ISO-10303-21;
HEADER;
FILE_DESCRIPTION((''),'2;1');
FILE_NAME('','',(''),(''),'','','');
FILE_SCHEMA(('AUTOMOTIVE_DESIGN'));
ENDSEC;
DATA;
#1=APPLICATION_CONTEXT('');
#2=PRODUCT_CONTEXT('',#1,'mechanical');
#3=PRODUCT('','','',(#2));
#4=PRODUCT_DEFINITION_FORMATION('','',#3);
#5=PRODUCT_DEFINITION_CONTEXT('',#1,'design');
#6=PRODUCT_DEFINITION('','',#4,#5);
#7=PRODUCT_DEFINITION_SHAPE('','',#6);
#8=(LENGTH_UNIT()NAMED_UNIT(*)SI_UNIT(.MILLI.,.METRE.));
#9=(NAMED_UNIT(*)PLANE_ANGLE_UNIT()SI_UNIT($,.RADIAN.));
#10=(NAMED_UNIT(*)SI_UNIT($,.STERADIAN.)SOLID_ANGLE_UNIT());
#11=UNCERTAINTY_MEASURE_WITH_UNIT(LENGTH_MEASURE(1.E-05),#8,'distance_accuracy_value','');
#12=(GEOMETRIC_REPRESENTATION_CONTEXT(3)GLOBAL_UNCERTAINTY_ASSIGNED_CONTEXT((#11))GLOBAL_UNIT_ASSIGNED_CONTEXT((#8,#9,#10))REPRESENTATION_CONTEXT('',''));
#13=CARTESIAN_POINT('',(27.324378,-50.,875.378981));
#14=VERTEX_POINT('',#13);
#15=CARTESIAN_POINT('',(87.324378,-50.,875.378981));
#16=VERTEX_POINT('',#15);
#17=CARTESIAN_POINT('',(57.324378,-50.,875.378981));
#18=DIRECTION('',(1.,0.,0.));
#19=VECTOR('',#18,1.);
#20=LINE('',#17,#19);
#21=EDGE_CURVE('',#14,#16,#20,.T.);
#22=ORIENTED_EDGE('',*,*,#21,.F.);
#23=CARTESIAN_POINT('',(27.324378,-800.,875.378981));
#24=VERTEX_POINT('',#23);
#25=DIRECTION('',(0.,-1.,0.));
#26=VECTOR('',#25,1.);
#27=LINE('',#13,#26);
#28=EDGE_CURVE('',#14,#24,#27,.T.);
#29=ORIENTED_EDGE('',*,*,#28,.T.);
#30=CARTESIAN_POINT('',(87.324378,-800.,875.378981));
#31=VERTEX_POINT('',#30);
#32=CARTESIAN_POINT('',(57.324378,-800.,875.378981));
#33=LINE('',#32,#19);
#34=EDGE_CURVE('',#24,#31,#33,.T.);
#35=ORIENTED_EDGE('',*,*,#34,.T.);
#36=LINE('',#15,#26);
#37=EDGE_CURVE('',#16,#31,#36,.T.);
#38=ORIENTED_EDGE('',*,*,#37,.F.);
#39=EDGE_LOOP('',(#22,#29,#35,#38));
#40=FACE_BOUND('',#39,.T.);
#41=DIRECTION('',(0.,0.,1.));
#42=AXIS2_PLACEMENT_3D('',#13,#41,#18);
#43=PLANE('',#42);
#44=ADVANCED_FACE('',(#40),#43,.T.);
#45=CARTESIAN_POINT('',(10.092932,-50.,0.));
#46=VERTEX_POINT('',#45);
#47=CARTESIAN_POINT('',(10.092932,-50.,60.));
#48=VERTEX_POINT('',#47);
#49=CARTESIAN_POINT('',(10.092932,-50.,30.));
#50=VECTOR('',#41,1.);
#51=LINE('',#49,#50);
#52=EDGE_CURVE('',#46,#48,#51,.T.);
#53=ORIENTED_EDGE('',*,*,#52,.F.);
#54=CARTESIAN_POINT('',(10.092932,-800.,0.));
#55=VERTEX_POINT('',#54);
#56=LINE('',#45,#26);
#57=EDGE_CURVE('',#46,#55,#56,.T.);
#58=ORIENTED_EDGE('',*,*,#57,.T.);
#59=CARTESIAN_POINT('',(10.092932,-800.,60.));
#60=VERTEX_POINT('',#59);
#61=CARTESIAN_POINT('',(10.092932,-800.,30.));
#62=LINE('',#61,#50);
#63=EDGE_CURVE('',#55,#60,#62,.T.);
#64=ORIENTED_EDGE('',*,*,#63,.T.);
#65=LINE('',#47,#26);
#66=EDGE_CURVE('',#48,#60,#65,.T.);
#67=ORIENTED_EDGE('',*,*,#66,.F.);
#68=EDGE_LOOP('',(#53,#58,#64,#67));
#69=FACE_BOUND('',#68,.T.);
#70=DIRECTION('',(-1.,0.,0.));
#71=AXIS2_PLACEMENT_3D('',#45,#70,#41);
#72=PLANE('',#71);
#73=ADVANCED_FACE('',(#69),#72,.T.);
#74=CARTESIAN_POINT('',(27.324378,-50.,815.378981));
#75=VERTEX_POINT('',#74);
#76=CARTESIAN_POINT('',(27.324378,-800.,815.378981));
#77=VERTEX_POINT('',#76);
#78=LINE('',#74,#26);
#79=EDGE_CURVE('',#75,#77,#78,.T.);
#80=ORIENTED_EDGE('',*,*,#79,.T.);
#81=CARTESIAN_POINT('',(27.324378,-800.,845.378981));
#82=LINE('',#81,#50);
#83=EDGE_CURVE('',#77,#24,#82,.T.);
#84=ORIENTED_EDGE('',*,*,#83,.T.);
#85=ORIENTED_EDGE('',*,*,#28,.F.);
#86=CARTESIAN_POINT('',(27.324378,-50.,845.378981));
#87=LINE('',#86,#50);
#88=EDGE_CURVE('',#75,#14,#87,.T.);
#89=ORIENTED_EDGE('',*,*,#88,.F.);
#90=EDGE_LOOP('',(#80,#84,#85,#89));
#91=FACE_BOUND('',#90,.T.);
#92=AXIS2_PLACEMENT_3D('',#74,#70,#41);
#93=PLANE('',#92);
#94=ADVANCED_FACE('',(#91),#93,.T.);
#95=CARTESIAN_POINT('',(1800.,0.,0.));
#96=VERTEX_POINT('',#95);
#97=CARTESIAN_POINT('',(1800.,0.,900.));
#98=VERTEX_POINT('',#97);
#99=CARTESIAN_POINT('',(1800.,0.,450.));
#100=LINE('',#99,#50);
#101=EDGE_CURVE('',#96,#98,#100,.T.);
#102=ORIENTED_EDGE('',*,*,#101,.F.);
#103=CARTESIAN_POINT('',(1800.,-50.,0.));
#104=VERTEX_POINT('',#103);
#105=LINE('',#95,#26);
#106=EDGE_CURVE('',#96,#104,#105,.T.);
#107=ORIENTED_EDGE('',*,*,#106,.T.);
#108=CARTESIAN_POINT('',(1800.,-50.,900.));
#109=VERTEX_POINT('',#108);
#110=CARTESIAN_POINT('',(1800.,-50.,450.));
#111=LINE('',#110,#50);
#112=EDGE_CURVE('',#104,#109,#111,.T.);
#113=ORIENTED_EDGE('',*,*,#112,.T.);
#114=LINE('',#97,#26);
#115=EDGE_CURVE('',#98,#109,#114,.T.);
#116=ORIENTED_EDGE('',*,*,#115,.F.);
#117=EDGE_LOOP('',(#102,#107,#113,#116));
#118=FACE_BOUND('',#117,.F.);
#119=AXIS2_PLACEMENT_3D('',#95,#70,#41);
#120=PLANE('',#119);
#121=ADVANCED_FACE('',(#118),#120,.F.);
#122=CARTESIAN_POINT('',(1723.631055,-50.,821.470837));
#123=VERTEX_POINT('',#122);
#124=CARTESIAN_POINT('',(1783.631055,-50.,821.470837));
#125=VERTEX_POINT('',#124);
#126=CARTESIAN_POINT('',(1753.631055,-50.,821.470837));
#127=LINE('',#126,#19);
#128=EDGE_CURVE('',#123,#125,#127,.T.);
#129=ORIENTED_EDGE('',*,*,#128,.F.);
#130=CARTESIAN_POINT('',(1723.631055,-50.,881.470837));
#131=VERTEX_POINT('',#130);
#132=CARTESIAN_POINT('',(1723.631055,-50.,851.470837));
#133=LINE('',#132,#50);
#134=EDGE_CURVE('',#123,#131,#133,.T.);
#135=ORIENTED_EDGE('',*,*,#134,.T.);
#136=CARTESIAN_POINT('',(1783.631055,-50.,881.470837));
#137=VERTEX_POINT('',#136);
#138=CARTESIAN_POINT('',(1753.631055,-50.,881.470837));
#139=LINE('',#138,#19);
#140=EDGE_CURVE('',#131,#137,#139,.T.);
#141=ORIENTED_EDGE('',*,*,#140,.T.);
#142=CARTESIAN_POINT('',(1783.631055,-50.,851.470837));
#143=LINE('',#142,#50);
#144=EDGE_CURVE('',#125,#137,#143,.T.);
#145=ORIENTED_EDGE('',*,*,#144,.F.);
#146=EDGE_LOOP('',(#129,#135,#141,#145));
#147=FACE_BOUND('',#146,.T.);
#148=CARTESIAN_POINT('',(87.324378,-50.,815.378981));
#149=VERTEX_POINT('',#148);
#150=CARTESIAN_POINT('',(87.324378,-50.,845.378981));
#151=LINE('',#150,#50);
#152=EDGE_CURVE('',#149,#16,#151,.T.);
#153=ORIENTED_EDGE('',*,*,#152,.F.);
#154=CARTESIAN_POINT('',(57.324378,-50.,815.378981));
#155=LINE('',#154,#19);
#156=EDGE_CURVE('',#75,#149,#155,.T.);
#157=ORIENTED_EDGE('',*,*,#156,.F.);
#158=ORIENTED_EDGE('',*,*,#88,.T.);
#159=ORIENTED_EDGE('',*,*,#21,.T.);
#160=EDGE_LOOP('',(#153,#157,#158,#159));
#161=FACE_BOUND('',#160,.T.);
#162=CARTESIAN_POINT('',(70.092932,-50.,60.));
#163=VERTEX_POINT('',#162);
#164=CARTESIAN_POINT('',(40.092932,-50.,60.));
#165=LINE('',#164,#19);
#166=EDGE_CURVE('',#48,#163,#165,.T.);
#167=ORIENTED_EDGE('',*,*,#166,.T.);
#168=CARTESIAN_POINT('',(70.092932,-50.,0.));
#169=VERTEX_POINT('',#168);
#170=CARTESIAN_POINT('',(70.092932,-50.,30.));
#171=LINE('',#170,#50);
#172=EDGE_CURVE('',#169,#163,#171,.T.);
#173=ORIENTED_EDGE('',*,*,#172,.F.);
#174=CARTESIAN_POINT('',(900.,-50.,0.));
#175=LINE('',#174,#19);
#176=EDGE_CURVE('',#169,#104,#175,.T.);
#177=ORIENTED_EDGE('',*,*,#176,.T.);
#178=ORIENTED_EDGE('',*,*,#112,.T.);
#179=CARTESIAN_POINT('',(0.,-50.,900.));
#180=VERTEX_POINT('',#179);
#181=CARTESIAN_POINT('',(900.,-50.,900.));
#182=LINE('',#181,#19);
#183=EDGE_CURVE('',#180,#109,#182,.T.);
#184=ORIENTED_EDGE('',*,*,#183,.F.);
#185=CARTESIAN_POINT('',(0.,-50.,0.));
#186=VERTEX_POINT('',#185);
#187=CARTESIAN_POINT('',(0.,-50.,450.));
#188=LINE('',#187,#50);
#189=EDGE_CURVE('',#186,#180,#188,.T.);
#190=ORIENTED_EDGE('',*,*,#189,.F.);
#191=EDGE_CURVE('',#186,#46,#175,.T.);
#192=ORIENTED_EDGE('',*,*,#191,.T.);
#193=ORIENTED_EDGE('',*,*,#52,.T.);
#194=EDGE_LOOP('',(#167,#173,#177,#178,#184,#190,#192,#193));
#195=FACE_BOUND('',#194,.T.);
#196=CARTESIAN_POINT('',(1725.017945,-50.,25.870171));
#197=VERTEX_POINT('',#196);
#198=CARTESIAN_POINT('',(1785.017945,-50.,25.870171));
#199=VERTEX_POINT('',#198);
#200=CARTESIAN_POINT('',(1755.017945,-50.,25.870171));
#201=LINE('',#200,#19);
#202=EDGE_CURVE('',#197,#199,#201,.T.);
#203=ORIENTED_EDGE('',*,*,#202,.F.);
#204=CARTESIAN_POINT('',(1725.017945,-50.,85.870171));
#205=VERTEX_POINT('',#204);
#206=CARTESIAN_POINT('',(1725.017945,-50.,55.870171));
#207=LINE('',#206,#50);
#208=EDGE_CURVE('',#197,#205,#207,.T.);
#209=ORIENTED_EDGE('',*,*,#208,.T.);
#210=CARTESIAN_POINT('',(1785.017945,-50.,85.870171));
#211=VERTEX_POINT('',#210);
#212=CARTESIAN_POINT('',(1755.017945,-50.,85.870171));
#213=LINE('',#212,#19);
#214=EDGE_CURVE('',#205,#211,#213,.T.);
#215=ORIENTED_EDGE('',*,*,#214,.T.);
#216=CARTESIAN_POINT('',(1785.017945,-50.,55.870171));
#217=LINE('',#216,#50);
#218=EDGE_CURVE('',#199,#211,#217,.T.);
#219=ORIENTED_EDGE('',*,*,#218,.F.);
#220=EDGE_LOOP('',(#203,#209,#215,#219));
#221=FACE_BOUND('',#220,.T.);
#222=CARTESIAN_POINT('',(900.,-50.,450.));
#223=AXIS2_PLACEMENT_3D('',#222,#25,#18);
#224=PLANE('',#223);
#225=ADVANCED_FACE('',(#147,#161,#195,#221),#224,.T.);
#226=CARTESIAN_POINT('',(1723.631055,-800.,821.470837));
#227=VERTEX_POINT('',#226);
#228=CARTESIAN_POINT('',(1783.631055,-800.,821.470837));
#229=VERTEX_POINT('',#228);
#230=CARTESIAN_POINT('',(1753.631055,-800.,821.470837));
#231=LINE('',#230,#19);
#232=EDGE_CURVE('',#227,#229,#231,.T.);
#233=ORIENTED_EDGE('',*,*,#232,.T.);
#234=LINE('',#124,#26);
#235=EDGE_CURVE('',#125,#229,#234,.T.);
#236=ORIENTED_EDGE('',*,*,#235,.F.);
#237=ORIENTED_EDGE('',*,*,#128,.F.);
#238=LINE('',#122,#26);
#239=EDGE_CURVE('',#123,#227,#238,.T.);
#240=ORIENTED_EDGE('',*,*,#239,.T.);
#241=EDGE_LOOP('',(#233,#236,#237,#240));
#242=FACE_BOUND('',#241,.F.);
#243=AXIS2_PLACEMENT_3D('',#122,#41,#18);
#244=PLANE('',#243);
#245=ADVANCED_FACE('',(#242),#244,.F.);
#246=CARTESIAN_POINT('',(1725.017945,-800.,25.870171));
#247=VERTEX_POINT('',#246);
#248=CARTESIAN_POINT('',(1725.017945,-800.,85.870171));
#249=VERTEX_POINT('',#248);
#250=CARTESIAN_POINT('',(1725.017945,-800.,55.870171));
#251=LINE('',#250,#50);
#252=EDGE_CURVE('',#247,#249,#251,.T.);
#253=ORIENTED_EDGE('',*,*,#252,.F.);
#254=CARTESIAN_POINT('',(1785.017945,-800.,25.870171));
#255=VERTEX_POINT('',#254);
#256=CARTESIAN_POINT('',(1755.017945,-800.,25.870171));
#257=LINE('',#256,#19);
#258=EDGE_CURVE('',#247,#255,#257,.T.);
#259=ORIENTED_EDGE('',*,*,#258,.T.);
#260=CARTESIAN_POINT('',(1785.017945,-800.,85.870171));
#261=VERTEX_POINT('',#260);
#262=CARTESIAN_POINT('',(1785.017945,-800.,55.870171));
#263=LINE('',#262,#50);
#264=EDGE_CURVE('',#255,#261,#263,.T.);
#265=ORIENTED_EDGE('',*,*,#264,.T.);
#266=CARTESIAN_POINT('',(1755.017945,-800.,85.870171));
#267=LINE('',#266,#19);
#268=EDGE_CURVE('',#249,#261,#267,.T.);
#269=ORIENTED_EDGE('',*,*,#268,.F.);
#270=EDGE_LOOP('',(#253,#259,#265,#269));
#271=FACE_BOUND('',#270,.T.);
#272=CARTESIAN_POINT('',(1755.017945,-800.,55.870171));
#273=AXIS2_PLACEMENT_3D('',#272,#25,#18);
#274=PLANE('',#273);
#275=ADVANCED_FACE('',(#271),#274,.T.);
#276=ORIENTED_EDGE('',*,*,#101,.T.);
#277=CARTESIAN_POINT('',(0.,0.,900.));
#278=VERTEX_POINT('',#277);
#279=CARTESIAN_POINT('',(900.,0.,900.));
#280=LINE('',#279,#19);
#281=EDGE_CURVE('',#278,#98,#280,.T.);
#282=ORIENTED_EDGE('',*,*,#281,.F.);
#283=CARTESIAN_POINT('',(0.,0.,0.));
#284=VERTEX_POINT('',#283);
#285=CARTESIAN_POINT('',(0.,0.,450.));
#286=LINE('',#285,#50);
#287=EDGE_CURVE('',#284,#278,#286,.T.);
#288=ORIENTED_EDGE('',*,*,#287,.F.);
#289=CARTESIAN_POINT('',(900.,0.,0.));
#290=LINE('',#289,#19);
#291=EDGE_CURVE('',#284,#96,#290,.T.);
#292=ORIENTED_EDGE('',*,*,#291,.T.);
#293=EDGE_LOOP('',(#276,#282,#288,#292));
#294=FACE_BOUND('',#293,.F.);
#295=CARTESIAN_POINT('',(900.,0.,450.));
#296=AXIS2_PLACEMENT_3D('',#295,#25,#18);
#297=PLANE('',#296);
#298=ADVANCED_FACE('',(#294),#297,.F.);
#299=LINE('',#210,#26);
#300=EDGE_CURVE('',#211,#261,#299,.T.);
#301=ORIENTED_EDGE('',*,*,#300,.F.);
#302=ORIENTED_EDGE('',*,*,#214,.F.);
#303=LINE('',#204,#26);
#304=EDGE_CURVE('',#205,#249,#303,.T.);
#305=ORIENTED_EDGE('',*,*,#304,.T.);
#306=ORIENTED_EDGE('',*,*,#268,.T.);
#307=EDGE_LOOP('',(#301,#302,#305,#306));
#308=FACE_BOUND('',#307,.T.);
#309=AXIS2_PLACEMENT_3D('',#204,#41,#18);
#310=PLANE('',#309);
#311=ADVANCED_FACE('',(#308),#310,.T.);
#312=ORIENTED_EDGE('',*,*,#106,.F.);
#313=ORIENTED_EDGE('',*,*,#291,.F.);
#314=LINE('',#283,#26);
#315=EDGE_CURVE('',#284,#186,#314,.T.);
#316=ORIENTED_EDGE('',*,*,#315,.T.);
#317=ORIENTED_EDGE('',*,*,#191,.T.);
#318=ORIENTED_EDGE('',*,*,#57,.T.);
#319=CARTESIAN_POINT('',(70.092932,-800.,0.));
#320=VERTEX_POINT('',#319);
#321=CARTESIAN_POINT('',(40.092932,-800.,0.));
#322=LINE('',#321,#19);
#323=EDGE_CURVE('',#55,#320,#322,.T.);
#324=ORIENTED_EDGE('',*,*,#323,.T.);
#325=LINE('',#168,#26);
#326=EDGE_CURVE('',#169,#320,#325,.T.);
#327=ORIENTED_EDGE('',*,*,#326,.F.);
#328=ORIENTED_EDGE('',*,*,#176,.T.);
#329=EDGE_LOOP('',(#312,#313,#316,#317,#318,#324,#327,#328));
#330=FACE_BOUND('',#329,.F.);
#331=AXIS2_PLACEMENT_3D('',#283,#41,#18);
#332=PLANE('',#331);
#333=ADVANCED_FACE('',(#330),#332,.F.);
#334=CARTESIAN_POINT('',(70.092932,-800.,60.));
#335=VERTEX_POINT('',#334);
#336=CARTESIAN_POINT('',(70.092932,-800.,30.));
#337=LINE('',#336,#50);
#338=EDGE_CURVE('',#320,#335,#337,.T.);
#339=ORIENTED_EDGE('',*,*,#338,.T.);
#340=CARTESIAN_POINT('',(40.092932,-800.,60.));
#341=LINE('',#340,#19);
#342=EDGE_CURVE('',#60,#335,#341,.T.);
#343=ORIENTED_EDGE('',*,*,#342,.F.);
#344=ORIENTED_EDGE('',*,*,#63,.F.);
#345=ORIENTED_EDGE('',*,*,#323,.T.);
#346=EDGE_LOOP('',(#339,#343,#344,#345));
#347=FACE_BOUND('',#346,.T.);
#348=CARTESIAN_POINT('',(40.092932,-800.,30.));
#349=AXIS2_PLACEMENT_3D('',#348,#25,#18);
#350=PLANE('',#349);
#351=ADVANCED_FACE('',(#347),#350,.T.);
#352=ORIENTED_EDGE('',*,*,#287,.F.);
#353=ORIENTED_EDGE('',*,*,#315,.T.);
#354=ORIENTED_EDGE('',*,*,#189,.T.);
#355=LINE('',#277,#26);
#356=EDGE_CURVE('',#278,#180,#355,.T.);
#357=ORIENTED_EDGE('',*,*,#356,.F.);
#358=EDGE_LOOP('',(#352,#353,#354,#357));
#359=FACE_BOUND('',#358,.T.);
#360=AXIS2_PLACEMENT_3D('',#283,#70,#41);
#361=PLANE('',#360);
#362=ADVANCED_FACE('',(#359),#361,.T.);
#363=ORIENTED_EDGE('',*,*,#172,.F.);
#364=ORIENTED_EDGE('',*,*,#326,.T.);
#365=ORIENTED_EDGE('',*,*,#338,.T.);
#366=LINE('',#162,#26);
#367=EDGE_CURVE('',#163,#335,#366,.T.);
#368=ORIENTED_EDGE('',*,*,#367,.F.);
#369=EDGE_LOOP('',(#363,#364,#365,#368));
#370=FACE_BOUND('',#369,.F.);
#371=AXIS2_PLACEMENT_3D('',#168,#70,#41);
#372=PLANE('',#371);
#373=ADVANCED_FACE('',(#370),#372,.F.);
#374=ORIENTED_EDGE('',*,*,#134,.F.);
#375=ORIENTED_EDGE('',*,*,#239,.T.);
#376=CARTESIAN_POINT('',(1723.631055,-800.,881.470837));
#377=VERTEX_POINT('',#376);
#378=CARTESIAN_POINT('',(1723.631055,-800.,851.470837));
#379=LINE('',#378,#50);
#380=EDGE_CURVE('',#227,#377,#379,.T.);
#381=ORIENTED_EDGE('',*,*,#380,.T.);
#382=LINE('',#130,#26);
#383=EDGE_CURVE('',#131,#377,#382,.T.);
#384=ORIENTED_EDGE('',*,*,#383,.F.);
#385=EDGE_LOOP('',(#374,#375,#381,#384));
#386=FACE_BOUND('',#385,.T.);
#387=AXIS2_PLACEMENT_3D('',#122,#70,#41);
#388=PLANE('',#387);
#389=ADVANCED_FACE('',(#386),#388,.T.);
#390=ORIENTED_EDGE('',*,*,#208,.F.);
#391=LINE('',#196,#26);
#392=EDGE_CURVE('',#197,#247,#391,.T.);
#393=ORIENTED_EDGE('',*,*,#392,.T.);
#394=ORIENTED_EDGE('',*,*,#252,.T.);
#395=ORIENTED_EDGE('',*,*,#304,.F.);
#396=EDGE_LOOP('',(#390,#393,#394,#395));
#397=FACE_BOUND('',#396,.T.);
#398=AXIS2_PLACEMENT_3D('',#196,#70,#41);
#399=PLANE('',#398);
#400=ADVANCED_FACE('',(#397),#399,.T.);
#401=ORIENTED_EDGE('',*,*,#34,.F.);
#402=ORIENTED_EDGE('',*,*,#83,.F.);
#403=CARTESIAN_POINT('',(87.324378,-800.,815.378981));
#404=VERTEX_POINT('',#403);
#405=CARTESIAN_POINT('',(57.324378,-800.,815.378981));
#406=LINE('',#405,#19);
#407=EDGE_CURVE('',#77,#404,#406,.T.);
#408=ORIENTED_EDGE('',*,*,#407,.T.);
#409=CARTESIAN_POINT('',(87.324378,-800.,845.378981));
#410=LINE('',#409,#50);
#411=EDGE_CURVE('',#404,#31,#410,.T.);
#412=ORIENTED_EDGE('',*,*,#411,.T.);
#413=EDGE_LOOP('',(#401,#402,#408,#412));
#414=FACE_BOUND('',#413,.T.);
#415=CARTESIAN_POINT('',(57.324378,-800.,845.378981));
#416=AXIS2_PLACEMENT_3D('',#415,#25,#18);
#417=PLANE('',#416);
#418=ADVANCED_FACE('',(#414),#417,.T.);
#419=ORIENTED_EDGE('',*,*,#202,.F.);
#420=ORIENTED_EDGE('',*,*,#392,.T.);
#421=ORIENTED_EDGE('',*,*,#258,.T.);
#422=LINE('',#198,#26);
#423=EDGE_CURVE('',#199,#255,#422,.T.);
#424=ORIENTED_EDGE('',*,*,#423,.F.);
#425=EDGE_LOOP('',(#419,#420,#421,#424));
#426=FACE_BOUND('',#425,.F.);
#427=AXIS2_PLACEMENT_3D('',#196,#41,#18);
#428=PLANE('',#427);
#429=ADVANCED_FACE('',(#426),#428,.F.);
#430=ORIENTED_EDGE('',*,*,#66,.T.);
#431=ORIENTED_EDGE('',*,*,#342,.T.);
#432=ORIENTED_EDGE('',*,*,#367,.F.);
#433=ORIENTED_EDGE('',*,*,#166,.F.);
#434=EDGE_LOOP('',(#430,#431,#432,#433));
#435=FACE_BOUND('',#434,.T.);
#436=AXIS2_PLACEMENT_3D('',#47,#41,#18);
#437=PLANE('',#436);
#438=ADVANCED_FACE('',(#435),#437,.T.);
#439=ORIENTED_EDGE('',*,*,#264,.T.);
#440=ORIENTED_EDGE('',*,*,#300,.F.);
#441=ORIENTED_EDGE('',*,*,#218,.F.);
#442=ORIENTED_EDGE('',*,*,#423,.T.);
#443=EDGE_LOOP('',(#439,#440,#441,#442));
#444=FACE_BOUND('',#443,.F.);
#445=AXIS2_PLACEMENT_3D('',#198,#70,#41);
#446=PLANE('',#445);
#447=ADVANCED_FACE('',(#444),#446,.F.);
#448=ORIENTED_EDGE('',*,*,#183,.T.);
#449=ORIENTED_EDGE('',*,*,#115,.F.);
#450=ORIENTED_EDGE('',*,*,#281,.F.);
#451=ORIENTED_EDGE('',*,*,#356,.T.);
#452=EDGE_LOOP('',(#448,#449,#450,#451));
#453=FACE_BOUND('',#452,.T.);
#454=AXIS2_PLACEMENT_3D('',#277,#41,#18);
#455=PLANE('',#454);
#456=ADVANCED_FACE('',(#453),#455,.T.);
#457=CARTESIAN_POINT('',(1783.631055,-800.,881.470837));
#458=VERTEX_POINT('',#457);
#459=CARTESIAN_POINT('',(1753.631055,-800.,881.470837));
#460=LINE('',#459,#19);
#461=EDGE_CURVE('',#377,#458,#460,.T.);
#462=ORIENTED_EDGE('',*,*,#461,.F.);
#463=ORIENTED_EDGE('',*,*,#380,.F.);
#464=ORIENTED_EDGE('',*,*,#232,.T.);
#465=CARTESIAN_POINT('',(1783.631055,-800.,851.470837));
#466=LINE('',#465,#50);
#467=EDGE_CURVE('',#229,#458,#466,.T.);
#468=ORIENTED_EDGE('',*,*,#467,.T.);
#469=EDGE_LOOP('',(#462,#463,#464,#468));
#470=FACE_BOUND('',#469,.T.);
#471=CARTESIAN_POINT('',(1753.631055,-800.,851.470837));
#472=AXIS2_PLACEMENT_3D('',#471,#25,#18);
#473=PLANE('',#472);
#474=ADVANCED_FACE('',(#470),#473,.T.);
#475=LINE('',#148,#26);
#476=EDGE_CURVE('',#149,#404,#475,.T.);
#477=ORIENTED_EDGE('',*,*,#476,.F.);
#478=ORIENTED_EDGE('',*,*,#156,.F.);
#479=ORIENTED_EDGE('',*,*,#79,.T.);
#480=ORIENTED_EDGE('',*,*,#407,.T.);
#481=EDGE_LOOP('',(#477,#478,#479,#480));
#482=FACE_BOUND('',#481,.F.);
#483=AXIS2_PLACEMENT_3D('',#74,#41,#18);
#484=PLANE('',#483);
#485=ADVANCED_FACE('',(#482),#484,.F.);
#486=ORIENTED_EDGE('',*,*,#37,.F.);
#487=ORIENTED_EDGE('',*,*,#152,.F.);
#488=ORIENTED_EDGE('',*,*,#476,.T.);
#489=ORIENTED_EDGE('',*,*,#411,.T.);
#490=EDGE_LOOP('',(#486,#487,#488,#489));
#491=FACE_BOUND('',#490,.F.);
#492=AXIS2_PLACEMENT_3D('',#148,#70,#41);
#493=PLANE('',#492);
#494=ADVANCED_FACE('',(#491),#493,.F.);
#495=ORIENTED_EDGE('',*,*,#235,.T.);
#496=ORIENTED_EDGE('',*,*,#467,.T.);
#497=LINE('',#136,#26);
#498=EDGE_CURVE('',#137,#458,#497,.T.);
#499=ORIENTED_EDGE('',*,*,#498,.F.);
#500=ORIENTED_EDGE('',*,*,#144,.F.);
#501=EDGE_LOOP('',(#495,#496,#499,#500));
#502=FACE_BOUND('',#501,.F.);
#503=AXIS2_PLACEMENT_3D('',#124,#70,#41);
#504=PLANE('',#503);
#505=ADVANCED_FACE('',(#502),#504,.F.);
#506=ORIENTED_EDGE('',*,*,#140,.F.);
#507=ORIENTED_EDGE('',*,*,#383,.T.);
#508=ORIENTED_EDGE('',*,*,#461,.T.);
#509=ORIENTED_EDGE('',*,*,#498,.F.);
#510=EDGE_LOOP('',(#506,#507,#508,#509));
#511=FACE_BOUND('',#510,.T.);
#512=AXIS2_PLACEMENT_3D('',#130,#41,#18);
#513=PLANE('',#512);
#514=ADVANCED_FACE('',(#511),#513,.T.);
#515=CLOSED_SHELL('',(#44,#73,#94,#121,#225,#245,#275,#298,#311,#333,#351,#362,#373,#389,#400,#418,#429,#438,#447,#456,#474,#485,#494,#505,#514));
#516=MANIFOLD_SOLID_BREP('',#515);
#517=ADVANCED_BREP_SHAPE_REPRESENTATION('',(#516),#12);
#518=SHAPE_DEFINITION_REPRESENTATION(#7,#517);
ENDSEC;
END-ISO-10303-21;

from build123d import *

# Parameters (mm, degrees)
SKETCH_W     = 1800
SKETCH_H     = 900
PAD_DEPTH    = 50
SKETCH001_W  = 60
SKETCH001_H  = 60
PAD001_DEPTH = 750


with BuildPart() as part:
    # Sketch → Pad (new body)
    with BuildSketch(Plane.XZ):
        with Locations((900, 450)):
            Rectangle(SKETCH_W, SKETCH_H)
    extrude(amount=PAD_DEPTH)

    # Sketch001 (on Face6 of Pad) → Pad001 (join)
    with BuildSketch(Plane.XZ.offset(50)):
        with Locations((1755.017945, 55.870171)):
            Rectangle(SKETCH001_W, SKETCH001_H)
        with Locations((1753.631055, 851.470837)):
            Rectangle(SKETCH001_W, SKETCH001_H)
        with Locations((40.092932, 30)):
            Rectangle(SKETCH001_W, SKETCH001_H)
        with Locations((57.324378, 845.378981)):
            Rectangle(SKETCH001_W, SKETCH001_H)
    extrude(amount=PAD001_DEPTH)


solid = part.part
